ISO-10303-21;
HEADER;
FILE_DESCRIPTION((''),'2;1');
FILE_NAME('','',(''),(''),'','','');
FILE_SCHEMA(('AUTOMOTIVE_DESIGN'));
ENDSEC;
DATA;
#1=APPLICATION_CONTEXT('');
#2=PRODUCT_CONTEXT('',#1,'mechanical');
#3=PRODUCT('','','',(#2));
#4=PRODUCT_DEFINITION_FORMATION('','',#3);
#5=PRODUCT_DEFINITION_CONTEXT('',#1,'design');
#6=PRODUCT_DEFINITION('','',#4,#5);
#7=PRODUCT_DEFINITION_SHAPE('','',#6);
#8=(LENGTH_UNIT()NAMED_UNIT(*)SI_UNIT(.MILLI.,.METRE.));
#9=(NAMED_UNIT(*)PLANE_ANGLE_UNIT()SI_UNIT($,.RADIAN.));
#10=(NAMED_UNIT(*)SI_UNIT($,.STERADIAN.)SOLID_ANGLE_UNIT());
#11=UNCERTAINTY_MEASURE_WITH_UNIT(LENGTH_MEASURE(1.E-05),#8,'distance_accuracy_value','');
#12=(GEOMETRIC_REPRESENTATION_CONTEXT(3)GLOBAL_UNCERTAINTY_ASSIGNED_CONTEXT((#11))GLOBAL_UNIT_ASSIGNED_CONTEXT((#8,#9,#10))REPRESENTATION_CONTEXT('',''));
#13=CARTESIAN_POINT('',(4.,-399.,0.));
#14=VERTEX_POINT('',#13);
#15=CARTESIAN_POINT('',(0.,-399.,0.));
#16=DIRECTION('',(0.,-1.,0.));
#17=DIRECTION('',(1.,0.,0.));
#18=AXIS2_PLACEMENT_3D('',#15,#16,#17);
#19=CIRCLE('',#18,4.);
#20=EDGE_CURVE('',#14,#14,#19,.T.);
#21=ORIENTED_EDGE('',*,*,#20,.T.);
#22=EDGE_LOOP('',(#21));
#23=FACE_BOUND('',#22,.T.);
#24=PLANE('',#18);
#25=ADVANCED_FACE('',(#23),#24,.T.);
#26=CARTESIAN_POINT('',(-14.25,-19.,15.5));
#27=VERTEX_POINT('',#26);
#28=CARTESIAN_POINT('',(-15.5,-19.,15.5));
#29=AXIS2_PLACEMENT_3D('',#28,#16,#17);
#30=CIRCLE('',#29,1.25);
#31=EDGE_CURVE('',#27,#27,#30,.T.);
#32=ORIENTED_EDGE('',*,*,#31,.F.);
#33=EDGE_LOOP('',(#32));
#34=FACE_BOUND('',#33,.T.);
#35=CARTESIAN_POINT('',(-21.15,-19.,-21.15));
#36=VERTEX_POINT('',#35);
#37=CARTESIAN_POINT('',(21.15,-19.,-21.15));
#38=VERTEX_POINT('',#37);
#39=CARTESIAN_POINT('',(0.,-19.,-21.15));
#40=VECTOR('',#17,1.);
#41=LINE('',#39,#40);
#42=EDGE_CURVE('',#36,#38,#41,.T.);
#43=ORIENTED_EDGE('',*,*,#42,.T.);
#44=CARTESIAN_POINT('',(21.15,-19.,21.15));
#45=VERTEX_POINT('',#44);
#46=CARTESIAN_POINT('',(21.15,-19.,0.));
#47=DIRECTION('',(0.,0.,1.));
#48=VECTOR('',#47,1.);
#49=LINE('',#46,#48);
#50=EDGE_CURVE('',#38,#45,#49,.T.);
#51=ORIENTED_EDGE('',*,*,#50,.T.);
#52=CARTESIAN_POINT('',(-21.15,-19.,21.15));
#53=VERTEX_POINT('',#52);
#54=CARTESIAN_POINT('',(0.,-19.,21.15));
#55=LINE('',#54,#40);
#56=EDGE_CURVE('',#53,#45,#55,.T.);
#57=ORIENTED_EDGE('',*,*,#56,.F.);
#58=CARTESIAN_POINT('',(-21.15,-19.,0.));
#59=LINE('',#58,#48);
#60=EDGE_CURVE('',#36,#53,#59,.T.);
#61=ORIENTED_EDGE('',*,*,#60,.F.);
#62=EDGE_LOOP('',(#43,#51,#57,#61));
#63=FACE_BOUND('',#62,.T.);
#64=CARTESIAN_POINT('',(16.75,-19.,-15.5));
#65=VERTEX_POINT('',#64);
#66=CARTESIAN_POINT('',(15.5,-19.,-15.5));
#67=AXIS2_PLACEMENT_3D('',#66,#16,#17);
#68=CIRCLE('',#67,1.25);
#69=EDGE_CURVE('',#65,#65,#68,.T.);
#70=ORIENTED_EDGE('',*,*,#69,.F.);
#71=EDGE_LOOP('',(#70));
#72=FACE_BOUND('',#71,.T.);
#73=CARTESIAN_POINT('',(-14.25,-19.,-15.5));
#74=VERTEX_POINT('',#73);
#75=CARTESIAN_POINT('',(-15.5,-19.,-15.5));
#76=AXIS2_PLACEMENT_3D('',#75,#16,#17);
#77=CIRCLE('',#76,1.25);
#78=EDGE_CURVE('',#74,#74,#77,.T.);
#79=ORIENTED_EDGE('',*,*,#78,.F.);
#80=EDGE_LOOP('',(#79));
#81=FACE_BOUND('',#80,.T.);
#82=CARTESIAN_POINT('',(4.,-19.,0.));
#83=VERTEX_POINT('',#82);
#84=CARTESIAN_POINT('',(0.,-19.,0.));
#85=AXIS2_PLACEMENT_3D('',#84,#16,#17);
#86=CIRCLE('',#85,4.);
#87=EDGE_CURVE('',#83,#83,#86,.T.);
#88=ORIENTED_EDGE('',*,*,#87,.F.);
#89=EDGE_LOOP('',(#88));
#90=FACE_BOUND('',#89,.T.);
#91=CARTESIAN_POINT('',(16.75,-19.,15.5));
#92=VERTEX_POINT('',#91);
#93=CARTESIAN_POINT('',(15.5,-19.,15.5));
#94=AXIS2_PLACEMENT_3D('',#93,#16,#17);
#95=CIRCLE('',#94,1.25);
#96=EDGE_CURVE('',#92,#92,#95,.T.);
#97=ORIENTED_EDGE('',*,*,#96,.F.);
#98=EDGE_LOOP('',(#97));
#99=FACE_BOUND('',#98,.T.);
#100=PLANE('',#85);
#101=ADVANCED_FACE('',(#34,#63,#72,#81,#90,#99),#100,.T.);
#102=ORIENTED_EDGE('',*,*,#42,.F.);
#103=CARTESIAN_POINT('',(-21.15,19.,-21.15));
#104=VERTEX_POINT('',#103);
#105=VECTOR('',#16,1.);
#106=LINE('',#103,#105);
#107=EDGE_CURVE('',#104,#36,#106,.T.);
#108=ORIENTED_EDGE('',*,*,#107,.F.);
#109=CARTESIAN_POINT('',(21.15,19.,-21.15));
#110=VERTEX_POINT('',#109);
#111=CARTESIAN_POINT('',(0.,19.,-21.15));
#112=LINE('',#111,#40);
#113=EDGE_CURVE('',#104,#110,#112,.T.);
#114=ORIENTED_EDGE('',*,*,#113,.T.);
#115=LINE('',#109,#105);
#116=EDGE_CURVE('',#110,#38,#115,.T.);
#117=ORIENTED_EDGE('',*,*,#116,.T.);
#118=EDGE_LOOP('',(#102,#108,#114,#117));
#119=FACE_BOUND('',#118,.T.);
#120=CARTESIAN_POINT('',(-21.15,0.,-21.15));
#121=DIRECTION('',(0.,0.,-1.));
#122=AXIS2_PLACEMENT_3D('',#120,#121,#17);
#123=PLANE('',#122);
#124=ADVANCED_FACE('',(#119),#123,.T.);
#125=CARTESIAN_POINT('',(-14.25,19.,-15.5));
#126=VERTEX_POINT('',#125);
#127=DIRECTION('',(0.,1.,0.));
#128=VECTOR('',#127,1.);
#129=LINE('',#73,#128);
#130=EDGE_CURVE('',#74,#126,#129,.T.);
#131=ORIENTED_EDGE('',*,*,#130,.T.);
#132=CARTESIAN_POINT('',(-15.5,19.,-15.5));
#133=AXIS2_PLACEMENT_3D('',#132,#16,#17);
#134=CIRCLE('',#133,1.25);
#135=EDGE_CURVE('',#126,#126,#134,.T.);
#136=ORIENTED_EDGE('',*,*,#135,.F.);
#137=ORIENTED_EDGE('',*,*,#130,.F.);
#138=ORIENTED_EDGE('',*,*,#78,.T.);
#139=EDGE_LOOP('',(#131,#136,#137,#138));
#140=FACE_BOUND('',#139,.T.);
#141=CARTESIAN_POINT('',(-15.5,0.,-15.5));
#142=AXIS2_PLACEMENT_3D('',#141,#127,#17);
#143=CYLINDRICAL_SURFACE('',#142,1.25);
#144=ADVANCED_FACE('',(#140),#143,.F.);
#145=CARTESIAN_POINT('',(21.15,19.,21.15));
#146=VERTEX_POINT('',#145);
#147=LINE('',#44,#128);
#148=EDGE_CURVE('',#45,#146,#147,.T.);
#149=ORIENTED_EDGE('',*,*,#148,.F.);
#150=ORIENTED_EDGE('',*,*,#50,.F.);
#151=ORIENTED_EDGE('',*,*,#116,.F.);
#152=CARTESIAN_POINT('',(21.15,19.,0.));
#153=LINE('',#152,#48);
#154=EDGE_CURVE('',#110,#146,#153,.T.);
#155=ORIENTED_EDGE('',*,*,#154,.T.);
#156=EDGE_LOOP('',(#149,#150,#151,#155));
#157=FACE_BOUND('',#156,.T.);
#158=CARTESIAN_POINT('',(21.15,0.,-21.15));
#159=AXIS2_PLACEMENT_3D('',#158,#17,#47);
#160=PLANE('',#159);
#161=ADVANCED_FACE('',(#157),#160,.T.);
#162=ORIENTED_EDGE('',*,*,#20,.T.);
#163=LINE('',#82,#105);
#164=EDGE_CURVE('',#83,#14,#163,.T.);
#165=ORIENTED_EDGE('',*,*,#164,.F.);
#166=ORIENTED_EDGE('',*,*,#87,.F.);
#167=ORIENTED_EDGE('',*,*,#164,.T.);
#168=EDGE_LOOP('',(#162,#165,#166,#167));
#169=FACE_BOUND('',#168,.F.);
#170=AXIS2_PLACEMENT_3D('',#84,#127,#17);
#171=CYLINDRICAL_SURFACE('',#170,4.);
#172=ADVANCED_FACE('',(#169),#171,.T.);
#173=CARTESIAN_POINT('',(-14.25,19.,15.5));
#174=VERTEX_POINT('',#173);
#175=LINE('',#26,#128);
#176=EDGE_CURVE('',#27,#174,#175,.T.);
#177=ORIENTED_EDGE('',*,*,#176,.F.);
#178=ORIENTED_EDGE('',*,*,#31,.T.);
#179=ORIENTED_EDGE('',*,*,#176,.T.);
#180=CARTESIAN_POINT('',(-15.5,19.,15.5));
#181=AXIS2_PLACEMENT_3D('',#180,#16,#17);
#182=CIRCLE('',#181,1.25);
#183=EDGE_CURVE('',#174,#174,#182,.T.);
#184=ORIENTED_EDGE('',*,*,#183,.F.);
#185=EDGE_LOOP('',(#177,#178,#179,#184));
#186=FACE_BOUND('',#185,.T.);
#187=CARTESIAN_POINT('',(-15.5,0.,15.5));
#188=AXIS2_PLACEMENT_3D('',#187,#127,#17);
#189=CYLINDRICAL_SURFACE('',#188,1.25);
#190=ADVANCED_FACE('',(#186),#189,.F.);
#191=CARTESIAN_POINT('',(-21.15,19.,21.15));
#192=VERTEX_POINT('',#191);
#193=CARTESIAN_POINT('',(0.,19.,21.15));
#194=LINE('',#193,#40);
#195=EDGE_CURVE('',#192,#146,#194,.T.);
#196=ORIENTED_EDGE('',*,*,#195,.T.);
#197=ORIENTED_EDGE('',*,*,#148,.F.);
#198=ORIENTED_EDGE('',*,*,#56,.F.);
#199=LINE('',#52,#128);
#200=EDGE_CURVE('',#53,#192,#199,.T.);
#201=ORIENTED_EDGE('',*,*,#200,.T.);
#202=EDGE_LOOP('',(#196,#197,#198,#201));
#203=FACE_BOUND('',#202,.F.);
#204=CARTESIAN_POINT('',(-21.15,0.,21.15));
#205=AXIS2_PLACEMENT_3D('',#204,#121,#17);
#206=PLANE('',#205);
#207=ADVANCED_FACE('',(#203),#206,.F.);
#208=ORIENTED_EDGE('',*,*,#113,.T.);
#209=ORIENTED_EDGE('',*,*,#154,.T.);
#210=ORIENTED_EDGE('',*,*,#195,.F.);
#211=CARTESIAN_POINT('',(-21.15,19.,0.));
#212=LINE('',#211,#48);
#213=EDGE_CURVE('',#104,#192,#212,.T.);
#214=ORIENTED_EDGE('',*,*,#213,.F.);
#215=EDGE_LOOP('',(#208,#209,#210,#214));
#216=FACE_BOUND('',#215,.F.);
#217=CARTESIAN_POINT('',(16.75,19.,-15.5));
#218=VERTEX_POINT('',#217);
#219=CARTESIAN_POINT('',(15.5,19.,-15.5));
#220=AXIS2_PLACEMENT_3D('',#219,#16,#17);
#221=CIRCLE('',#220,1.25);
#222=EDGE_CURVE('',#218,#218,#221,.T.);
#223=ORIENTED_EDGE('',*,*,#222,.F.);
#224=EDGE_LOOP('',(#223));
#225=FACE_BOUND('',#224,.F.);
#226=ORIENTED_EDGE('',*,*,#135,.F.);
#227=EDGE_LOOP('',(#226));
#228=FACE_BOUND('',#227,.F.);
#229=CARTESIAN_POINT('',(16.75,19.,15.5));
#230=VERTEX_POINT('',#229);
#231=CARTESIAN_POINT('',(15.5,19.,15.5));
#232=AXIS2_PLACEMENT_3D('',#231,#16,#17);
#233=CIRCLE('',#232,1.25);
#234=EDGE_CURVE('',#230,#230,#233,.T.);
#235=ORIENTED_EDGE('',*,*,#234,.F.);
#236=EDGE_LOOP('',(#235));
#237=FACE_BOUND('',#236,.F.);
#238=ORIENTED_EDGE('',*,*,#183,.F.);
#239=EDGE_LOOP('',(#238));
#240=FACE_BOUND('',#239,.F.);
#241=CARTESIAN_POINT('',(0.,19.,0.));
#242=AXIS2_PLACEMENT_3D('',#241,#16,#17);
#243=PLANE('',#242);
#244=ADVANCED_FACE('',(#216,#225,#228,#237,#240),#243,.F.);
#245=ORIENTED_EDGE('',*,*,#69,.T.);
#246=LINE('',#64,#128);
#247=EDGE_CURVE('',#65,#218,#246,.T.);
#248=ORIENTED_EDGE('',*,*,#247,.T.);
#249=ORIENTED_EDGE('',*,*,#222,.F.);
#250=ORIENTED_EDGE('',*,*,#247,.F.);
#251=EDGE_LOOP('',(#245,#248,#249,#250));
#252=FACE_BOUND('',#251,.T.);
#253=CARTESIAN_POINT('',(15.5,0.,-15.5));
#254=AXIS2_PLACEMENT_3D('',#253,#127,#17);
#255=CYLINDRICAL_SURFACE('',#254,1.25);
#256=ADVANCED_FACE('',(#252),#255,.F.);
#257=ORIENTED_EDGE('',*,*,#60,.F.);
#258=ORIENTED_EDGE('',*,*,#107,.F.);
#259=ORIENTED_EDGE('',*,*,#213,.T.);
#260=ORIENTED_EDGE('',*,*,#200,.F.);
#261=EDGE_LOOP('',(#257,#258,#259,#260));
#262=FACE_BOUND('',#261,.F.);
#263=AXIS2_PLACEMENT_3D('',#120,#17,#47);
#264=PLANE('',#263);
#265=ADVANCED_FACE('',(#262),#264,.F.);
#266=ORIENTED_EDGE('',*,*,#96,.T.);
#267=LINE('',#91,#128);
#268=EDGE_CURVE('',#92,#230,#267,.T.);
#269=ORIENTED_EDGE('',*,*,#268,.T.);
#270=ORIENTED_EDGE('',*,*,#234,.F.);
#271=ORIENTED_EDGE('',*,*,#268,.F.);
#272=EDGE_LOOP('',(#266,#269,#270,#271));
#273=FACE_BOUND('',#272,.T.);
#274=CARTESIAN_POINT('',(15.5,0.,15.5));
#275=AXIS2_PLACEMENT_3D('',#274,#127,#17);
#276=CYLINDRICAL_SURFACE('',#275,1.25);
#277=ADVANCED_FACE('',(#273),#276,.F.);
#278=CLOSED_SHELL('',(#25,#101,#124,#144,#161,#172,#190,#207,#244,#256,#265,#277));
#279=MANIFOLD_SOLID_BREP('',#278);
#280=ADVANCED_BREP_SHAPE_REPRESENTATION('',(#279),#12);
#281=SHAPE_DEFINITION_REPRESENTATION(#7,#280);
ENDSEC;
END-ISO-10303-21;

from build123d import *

# Parameters (mm, degrees)
F0_W     = 42.3
F0_H     = 42.3
F0_R     = 1.25
F1_DEPTH = 19
F2_R     = 4
F3_DEPTH = 380


with BuildPart() as f1:
    # F0 (on Front) → F1 (new body, symmetric)
    with BuildSketch(Plane.XZ):
        Rectangle(F0_W, F0_H)
        with Locations((-15.5, -15.5)):
            Circle(F0_R, mode=Mode.SUBTRACT)
        with Locations((15.5, -15.5)):
            Circle(F0_R, mode=Mode.SUBTRACT)
        with Locations((-15.5, 15.5)):
            Circle(F0_R, mode=Mode.SUBTRACT)
        with Locations((15.5, 15.5)):
            Circle(F0_R, mode=Mode.SUBTRACT)
    extrude(amount=F1_DEPTH, both=True)

    # F2 (on face) → F3 (join)
    with BuildSketch(Plane.XZ.offset(19)):
        Circle(F2_R)
    extrude(amount=F3_DEPTH)


solid = f1.part
